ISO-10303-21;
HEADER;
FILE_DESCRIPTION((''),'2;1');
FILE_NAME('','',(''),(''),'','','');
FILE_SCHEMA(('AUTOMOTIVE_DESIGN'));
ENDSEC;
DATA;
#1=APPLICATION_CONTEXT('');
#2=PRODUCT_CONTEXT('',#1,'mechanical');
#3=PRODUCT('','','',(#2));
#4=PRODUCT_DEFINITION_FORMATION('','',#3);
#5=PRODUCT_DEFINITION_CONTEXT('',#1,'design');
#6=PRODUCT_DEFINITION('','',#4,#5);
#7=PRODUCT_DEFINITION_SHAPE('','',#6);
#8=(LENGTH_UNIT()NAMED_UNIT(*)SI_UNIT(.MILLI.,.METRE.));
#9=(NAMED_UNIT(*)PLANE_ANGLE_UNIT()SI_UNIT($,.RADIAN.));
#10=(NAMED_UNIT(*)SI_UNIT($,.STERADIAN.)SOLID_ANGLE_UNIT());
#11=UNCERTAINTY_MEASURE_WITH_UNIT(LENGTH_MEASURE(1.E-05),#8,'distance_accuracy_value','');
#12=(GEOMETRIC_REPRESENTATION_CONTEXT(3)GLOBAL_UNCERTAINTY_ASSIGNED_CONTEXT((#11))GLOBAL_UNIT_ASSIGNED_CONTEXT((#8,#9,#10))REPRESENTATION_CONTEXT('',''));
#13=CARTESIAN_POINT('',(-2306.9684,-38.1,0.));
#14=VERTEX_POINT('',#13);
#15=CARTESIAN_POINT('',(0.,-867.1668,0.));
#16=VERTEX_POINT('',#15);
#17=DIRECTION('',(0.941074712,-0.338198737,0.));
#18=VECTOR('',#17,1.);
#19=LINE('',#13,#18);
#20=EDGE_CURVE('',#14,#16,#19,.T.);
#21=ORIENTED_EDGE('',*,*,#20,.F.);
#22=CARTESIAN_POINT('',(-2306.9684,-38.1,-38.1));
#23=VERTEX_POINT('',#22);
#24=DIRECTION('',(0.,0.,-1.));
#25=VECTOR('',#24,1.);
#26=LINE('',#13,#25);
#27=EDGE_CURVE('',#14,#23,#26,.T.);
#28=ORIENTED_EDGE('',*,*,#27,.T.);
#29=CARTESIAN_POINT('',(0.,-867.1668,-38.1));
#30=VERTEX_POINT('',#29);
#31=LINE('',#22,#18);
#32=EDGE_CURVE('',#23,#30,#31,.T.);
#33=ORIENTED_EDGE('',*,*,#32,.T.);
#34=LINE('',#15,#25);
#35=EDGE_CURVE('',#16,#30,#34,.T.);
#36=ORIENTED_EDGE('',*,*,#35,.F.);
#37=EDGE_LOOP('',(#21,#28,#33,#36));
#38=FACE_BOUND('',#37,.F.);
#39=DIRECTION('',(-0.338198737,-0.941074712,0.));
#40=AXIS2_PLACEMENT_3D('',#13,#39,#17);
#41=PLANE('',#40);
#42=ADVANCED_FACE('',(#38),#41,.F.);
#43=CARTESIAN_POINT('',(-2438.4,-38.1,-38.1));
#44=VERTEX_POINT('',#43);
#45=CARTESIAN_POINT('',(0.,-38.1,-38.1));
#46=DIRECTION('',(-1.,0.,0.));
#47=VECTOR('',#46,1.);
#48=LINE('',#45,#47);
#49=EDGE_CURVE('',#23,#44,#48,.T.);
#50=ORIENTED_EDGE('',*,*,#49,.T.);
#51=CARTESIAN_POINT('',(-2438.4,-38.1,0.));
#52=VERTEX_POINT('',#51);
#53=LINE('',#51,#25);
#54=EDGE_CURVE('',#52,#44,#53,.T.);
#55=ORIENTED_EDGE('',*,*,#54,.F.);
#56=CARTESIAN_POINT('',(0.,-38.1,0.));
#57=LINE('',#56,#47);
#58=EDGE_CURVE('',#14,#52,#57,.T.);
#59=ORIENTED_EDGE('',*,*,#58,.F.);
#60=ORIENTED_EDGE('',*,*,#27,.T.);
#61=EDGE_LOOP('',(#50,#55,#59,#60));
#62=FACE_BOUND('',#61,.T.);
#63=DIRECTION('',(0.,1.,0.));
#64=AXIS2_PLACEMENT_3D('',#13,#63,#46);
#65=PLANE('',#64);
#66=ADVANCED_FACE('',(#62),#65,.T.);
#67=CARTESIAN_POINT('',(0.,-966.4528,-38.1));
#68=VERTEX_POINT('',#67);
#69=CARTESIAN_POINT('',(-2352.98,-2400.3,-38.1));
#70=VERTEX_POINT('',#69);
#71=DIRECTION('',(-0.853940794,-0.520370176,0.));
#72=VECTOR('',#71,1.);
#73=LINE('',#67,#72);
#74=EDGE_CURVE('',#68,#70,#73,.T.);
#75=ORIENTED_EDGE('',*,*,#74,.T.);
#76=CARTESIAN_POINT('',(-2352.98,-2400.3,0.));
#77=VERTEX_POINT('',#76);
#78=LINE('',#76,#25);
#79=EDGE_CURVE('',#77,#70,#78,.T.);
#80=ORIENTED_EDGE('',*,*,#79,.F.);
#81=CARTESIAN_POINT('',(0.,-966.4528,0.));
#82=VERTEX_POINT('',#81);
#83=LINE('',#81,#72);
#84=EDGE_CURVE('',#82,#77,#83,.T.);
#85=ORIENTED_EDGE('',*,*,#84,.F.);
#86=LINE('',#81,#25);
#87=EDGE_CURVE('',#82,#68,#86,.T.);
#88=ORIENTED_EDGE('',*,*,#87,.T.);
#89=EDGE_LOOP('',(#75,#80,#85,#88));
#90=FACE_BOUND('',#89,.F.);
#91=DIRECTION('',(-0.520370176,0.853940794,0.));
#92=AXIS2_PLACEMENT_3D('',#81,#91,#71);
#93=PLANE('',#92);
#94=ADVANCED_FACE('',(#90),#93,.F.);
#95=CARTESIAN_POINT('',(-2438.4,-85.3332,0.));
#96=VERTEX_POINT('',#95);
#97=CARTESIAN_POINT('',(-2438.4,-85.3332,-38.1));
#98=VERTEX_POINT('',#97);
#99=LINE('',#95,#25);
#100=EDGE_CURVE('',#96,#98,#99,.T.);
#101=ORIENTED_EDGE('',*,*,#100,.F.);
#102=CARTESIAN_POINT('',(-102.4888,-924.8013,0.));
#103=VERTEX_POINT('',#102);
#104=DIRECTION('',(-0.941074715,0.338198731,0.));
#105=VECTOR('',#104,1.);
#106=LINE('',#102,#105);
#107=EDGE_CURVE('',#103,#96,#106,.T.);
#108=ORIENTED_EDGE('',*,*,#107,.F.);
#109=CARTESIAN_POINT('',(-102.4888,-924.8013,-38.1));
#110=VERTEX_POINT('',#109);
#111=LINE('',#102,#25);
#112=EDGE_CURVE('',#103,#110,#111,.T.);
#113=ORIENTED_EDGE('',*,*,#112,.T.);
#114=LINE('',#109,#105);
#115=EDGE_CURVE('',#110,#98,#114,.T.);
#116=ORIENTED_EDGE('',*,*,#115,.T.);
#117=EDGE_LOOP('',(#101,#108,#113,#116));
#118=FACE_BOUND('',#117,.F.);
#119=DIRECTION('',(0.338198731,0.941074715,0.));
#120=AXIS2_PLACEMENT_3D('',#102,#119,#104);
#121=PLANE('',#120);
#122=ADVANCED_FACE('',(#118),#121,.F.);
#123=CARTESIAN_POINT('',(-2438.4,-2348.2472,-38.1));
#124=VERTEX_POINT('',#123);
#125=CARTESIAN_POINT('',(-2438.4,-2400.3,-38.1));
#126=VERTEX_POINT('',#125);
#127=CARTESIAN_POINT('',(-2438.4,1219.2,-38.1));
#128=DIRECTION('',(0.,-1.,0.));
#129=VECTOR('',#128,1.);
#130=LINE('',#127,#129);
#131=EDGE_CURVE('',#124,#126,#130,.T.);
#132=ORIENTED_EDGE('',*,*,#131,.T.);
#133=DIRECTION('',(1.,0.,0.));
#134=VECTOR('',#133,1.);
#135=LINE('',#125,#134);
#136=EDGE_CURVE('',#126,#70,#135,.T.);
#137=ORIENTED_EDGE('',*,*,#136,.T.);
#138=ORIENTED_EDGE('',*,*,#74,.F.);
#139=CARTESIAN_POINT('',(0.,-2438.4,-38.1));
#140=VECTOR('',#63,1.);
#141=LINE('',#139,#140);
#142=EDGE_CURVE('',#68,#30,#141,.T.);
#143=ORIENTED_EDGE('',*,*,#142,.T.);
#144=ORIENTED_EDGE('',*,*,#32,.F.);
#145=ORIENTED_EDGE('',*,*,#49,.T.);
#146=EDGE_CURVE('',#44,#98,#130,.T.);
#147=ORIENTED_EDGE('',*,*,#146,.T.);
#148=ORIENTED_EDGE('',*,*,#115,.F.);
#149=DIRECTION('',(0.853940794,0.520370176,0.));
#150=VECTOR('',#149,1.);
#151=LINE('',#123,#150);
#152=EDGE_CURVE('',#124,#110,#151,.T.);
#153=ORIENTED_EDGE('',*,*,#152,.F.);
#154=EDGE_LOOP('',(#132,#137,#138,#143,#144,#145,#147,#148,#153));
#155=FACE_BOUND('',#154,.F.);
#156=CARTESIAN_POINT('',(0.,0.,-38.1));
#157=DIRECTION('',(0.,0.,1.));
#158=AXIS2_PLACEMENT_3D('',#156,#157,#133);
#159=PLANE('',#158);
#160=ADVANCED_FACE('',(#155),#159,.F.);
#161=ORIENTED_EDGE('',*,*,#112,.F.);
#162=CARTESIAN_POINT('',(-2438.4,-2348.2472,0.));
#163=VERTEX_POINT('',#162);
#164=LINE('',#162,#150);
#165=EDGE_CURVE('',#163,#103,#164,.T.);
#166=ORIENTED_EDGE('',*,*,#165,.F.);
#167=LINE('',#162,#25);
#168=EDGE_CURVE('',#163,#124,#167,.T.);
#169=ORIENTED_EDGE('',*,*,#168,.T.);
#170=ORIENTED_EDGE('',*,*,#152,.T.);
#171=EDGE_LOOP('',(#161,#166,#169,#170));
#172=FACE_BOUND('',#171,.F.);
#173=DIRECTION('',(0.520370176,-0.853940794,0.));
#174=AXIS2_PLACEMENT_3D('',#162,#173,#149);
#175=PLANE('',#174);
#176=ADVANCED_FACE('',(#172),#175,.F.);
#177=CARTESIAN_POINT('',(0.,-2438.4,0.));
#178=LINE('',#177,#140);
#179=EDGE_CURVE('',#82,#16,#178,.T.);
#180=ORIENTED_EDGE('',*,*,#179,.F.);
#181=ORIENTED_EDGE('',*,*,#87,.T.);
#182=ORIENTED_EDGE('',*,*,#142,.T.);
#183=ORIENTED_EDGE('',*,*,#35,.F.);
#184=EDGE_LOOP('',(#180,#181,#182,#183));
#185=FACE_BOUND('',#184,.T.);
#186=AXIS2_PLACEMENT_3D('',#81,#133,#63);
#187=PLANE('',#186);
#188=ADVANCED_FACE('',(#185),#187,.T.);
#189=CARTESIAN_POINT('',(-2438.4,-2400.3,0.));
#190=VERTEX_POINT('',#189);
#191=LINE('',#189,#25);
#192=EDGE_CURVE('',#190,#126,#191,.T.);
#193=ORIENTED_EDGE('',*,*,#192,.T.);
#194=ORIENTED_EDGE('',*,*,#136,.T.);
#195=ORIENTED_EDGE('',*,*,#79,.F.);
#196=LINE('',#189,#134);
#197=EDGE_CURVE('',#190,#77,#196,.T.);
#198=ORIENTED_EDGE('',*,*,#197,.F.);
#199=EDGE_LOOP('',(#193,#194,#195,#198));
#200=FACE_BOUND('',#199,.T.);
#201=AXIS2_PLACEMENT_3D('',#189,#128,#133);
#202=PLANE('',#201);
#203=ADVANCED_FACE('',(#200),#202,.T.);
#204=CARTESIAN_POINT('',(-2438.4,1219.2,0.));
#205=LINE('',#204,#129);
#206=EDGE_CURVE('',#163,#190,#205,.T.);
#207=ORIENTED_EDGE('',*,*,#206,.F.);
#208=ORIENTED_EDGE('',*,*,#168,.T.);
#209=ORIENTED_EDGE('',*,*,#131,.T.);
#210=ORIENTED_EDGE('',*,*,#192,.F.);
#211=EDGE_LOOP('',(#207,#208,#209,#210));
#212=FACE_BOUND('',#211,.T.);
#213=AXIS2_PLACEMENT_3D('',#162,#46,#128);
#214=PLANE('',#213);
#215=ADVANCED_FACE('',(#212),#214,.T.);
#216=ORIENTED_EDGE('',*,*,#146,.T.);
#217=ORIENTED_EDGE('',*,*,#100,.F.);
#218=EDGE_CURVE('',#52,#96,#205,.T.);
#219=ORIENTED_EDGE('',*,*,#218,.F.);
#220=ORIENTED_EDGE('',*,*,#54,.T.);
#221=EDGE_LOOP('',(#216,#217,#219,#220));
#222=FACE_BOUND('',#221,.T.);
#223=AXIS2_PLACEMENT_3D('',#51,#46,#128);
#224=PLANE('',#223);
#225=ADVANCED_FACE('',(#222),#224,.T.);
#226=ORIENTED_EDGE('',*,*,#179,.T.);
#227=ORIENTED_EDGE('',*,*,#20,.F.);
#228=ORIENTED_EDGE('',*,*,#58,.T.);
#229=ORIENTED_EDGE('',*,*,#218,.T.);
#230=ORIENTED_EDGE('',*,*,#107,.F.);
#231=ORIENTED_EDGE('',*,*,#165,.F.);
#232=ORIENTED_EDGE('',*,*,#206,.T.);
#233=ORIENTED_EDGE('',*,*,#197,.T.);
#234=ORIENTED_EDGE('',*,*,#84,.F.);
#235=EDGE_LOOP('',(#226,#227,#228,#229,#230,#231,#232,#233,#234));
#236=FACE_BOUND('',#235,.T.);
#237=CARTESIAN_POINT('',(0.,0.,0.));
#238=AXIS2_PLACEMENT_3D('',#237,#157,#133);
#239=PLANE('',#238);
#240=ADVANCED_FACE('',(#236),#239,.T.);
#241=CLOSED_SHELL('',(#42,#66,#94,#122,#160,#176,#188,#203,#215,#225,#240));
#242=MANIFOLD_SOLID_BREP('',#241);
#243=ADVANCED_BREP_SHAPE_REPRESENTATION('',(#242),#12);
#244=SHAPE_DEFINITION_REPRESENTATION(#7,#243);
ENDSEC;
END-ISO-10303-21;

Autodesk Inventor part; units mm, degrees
ref_plane "YZ Plane" through (0, 0, 0) normal (1, 0, 0) x (0, 1, 0)
ref_plane "XZ Plane" through (0, 0, 0) normal (0, 1, 0) x (-1, 0, 0)
ref_plane "XY Plane" through (0, 0, 0) normal (0, 0, 1) x (1, 0, 0)
sketch "Sketch1" plane through (0, 0, 0) normal (0, 0, 1) x (1, 0, 0)
  line L0 (-2438.4, -2400.3) -> (0, -2400.3) projected
  line L1 (0, -2438.4) -> (0, 2438.4) projected
  line L2 (0, -38.1) -> (-2438.4, -38.1) projected
  line L3 (-2438.4, 1219.2) -> (-2438.4, -2438.4) projected
  line L4 (-2438.4, -2348.2472) -> (-102.4888, -924.8013)
  line L5 (-102.4888, -924.8013) -> (-2438.4, -85.3332)
  line L6 (-2306.9684, -38.1) -> (0, -867.1668)
  line L7 (0, -966.4528) -> (-2352.98, -2400.3)
  line L8 (0, -867.1668) -> (0, -966.4528)
  line L9 (-2352.98, -2400.3) -> (-2438.4, -2400.3)
  line L10 (-2438.4, -2400.3) -> (-2438.4, -2348.2472)
  line L11 (-2438.4, -85.3332) -> (-2438.4, -38.1)
  line L12 (-2438.4, -38.1) -> (-2306.9684, -38.1)
  point P0 (0, 0)
extrude "Extrusion1" add sketch "Sketch1" against normal blind 38.1 contours L3 L4 L5 L2 L6 L1 L7 L0
properties part number "s58x2x4"
